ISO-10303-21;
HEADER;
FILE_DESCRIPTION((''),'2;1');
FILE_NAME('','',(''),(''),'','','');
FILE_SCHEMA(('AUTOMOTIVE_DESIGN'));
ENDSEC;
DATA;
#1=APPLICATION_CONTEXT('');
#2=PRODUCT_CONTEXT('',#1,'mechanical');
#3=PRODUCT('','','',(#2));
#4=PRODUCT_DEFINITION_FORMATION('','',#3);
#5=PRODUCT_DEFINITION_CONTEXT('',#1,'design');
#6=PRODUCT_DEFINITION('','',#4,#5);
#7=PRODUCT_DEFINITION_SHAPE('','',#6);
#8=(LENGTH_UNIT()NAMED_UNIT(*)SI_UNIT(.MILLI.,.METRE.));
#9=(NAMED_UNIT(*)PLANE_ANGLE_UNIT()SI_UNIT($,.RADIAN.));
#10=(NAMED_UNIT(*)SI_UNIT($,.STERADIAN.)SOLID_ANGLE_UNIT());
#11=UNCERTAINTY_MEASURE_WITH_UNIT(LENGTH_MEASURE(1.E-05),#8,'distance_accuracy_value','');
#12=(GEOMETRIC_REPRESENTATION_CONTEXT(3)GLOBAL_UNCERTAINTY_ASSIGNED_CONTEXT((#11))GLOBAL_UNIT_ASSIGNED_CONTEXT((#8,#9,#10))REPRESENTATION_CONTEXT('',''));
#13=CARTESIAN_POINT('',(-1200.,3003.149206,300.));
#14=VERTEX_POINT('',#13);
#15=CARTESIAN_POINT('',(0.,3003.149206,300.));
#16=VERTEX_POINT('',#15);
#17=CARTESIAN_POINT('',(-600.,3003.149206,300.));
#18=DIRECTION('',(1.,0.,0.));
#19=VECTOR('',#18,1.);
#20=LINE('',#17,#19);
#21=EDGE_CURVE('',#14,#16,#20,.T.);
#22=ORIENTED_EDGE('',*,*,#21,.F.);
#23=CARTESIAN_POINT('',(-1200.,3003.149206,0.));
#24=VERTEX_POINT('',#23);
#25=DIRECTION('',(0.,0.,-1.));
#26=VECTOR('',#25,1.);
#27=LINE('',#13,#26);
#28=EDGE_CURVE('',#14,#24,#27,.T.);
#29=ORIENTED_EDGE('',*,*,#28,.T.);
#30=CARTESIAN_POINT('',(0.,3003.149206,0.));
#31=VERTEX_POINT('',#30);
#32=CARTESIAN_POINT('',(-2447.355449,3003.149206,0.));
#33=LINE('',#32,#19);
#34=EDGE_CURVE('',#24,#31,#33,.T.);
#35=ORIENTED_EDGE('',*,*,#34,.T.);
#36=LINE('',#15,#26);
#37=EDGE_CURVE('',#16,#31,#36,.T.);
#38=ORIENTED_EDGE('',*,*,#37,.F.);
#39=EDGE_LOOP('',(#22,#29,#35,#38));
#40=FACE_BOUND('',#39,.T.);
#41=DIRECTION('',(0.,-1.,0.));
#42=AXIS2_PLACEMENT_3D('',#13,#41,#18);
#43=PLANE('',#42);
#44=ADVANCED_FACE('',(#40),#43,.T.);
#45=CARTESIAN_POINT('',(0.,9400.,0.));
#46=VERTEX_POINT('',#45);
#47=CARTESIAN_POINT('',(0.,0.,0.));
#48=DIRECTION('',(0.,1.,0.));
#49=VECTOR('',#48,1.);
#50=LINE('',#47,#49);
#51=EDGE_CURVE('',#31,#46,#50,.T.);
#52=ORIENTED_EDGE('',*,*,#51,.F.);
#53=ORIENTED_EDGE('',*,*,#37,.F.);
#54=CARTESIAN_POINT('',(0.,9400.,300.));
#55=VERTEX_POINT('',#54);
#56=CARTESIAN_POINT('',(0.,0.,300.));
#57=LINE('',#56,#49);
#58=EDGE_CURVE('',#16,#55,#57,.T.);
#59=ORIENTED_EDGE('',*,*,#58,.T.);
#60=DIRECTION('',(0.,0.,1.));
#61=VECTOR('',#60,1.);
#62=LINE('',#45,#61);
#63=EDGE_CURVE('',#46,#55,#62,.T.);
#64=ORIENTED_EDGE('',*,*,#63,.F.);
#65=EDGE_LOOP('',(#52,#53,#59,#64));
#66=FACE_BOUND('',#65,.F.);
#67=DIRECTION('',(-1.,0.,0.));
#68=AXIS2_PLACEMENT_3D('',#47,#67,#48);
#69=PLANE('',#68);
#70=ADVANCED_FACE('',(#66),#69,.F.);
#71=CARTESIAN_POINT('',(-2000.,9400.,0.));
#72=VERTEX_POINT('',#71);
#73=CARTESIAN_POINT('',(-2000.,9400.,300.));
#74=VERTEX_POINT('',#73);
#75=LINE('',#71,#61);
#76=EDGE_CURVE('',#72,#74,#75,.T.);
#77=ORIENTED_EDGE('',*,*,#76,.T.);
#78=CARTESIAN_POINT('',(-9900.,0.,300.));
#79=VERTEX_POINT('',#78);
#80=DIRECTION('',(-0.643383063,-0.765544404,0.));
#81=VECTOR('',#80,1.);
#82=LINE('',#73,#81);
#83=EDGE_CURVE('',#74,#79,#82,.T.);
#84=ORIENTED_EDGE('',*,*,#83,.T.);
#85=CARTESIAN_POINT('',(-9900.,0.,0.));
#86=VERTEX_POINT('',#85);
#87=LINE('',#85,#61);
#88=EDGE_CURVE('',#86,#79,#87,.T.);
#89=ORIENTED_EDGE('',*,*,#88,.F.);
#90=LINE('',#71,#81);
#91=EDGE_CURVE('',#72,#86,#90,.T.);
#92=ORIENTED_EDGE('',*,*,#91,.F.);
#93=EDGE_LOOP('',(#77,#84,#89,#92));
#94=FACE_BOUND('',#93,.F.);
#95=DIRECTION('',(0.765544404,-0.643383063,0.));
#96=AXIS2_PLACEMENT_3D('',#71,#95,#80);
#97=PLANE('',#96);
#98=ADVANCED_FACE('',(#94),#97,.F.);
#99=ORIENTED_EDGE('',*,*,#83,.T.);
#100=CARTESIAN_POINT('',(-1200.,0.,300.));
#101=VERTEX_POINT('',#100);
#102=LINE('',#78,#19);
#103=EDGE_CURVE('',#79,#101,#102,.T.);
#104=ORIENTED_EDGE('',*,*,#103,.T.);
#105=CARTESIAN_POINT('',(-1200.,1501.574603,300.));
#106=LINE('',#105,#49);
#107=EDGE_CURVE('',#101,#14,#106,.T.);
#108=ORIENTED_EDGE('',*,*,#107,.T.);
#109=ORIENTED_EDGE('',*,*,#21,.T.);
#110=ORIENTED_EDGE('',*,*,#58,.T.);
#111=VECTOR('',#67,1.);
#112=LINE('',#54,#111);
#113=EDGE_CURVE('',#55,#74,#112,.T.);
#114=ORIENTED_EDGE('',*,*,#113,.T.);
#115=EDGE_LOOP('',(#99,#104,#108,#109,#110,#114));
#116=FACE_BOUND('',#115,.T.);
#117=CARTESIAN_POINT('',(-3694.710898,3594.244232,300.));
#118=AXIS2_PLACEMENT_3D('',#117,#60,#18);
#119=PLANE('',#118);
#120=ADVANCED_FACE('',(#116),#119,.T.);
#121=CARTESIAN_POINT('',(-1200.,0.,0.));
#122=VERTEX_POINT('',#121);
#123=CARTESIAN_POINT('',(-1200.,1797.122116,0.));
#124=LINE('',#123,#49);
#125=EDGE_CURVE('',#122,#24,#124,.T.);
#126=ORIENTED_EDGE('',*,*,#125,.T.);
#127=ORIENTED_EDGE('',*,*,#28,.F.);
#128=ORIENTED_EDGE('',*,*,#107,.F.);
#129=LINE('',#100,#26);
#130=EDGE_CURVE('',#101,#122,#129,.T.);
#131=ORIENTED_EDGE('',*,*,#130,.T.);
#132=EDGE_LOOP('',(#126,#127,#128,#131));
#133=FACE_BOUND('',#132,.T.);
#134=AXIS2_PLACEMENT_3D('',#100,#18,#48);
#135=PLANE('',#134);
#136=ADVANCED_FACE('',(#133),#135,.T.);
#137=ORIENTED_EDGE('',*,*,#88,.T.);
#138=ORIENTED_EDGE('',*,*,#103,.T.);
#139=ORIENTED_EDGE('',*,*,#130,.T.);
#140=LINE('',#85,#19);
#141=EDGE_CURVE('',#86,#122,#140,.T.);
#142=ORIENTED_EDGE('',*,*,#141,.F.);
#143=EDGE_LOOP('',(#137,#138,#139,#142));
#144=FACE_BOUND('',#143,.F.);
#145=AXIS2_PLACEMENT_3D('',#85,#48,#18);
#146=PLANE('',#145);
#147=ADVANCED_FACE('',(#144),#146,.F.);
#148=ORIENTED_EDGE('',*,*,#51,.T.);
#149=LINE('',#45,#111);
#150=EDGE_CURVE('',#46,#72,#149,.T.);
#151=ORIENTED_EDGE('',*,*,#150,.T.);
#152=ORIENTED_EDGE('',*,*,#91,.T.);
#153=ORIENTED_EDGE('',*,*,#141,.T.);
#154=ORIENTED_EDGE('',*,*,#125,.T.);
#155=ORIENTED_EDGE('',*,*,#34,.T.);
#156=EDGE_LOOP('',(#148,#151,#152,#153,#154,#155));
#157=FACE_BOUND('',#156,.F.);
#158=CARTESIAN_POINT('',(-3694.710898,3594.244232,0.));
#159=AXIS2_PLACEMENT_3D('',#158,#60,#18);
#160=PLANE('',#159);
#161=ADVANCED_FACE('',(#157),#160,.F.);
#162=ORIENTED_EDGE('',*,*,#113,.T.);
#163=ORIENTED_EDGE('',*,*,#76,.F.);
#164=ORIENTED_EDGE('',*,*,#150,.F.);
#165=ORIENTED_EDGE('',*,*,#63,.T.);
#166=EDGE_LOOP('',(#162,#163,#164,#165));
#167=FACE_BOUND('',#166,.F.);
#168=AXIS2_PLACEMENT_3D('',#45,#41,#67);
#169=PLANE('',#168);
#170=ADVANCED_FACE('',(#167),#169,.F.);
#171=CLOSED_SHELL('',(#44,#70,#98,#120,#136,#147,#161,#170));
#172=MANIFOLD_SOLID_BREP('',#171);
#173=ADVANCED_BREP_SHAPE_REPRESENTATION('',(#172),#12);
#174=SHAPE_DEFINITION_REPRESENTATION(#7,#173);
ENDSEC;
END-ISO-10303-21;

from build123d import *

# Parameters (mm, degrees)
F1_DEPTH = 300
F2_W     = 1200
F2_H     = 3003.149206
F3_DEPTH = 300.001


with BuildPart() as f1:
    # F0 (on Top) → F1 (new body)
    with BuildSketch(Plane.XY):
        Polygon((-9900, 0), (0, 0), (0, 9400), (-2000, 9400), align=None)
    extrude(amount=F1_DEPTH)

    # F2 (on face) → F3 (cut, through all)
    with BuildSketch(Plane.XY.offset(300)):
        with Locations((-600, 1501.574603)):
            Rectangle(F2_W, F2_H)
    extrude(amount=-F3_DEPTH, mode=Mode.SUBTRACT)


solid = f1.part
